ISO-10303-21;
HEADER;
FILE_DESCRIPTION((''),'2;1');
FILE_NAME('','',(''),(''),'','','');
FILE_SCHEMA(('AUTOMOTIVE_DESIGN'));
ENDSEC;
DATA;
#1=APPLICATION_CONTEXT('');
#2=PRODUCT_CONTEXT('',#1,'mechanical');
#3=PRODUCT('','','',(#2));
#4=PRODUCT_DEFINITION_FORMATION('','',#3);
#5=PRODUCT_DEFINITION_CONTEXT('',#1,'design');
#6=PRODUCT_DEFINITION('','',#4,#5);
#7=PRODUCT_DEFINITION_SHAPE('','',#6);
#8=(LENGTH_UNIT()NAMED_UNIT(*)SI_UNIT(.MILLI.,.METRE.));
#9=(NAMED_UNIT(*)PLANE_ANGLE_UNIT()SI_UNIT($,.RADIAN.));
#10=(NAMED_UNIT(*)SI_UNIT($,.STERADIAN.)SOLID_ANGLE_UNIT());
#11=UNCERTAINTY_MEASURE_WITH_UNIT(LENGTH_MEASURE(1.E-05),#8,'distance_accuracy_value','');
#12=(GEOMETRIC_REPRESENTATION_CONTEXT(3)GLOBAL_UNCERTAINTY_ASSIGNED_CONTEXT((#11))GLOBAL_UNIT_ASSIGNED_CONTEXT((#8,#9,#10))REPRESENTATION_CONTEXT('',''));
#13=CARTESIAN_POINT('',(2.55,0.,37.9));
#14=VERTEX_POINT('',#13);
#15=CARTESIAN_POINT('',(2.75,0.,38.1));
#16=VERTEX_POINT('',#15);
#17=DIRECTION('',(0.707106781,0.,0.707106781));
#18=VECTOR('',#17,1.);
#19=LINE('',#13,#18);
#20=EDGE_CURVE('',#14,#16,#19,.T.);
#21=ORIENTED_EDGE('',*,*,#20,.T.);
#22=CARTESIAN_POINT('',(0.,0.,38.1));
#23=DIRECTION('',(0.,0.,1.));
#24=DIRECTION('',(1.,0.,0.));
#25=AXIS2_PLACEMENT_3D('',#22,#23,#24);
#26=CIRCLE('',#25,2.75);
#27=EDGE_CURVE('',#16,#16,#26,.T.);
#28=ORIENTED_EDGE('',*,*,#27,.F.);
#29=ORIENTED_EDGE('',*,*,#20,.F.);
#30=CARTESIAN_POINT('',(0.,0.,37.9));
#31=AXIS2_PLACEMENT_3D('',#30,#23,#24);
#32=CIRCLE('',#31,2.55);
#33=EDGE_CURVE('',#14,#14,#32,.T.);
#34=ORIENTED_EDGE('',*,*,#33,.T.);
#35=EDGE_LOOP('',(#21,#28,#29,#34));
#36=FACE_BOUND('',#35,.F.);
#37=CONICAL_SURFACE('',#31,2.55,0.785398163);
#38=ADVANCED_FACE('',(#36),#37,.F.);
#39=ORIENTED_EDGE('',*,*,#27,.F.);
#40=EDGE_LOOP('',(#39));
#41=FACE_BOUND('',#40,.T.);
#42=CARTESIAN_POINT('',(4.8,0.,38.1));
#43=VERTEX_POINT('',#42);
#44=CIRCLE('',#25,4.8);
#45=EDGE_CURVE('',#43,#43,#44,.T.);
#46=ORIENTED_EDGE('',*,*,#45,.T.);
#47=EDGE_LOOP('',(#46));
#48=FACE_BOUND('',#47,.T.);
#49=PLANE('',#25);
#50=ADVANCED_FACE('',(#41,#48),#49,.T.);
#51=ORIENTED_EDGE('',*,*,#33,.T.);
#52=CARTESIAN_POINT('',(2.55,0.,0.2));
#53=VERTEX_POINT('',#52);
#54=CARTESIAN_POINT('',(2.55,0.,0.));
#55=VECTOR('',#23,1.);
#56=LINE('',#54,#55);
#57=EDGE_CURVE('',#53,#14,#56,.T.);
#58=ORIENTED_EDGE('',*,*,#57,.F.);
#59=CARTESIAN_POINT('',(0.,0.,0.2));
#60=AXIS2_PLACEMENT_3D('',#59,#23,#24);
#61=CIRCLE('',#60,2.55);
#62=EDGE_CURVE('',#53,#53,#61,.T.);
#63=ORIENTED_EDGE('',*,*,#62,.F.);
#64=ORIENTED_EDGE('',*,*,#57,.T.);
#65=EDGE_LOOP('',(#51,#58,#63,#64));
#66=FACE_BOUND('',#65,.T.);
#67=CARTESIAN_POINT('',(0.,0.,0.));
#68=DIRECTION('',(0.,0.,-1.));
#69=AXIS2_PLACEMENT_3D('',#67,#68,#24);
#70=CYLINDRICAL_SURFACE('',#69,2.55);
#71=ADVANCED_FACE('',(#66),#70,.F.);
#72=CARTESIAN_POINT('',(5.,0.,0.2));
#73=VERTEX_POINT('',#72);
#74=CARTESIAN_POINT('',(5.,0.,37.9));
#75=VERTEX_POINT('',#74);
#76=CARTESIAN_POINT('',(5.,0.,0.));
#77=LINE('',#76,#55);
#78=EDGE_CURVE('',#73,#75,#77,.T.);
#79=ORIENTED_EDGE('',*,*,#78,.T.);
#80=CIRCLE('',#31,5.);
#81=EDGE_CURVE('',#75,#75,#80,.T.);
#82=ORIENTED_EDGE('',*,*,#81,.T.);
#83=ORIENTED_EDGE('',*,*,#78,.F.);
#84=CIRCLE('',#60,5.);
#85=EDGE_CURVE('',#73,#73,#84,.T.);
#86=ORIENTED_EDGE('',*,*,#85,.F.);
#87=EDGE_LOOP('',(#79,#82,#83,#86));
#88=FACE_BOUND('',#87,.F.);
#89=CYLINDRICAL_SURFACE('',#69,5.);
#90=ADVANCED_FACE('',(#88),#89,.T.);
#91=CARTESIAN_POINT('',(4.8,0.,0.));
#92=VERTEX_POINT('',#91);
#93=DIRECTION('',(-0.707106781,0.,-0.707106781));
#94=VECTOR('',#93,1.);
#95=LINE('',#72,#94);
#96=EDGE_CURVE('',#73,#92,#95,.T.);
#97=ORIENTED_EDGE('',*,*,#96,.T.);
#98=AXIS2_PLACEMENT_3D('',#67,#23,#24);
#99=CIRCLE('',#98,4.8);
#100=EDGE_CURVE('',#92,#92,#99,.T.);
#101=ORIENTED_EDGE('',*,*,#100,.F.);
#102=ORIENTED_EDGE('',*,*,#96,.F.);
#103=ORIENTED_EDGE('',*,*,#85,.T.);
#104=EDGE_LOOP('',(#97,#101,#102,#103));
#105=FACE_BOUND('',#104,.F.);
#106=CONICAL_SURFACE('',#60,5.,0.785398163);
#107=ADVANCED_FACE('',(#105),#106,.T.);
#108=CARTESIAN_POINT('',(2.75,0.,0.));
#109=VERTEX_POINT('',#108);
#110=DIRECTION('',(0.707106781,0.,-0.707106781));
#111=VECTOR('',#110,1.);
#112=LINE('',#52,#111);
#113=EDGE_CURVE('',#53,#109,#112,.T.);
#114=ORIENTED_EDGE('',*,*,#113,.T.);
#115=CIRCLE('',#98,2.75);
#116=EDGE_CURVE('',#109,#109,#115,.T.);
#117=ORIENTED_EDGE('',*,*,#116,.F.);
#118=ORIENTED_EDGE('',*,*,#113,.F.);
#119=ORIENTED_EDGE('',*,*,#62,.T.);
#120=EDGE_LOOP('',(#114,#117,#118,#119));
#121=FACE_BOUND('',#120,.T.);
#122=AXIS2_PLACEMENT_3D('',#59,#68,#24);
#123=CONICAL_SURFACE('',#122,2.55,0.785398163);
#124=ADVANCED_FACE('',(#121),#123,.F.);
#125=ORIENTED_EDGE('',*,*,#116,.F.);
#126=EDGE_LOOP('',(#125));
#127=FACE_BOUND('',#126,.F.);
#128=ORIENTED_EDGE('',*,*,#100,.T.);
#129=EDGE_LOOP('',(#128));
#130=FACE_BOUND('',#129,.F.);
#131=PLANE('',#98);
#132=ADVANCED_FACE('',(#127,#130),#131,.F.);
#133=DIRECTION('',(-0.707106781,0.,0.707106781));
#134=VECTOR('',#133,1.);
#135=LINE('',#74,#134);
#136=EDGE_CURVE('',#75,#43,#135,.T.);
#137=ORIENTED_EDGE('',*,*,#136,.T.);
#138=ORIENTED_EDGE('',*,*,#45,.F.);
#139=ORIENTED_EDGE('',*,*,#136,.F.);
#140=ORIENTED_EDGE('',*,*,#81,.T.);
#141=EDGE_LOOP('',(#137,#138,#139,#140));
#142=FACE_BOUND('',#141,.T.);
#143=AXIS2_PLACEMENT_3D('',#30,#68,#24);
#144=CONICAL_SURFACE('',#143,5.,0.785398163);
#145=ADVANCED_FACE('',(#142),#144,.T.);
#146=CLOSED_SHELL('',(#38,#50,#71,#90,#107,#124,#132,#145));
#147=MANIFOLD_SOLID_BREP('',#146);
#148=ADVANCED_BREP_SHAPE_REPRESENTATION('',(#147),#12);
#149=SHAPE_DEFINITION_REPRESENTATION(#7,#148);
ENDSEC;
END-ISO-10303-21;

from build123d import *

# Parameters (mm, degrees)
SKETCH1_R           = 5
SKETCH1_R_2         = 2.55
BOSS_EXTRUDE1_DEPTH = 38.1
CHAMFER1_SIZE       = 0.2


with BuildPart() as part:
    # Sketch1 → Boss-Extrude1 (new body)
    with BuildSketch(Plane.XY):
        Circle(SKETCH1_R)
        Circle(SKETCH1_R_2, mode=Mode.SUBTRACT)
    extrude(amount=BOSS_EXTRUDE1_DEPTH)

    # Chamfer1
    chamfer1_edges = [part.edges().sort_by_distance(p)[0] for p in [
        (-5, 0, 0),
        (-5, 0, 38.1),
        (-2.55, 0, 0),
        (-2.55, 0, 38.1),
    ]]
    chamfer(chamfer1_edges, length=CHAMFER1_SIZE)


solid = part.part
